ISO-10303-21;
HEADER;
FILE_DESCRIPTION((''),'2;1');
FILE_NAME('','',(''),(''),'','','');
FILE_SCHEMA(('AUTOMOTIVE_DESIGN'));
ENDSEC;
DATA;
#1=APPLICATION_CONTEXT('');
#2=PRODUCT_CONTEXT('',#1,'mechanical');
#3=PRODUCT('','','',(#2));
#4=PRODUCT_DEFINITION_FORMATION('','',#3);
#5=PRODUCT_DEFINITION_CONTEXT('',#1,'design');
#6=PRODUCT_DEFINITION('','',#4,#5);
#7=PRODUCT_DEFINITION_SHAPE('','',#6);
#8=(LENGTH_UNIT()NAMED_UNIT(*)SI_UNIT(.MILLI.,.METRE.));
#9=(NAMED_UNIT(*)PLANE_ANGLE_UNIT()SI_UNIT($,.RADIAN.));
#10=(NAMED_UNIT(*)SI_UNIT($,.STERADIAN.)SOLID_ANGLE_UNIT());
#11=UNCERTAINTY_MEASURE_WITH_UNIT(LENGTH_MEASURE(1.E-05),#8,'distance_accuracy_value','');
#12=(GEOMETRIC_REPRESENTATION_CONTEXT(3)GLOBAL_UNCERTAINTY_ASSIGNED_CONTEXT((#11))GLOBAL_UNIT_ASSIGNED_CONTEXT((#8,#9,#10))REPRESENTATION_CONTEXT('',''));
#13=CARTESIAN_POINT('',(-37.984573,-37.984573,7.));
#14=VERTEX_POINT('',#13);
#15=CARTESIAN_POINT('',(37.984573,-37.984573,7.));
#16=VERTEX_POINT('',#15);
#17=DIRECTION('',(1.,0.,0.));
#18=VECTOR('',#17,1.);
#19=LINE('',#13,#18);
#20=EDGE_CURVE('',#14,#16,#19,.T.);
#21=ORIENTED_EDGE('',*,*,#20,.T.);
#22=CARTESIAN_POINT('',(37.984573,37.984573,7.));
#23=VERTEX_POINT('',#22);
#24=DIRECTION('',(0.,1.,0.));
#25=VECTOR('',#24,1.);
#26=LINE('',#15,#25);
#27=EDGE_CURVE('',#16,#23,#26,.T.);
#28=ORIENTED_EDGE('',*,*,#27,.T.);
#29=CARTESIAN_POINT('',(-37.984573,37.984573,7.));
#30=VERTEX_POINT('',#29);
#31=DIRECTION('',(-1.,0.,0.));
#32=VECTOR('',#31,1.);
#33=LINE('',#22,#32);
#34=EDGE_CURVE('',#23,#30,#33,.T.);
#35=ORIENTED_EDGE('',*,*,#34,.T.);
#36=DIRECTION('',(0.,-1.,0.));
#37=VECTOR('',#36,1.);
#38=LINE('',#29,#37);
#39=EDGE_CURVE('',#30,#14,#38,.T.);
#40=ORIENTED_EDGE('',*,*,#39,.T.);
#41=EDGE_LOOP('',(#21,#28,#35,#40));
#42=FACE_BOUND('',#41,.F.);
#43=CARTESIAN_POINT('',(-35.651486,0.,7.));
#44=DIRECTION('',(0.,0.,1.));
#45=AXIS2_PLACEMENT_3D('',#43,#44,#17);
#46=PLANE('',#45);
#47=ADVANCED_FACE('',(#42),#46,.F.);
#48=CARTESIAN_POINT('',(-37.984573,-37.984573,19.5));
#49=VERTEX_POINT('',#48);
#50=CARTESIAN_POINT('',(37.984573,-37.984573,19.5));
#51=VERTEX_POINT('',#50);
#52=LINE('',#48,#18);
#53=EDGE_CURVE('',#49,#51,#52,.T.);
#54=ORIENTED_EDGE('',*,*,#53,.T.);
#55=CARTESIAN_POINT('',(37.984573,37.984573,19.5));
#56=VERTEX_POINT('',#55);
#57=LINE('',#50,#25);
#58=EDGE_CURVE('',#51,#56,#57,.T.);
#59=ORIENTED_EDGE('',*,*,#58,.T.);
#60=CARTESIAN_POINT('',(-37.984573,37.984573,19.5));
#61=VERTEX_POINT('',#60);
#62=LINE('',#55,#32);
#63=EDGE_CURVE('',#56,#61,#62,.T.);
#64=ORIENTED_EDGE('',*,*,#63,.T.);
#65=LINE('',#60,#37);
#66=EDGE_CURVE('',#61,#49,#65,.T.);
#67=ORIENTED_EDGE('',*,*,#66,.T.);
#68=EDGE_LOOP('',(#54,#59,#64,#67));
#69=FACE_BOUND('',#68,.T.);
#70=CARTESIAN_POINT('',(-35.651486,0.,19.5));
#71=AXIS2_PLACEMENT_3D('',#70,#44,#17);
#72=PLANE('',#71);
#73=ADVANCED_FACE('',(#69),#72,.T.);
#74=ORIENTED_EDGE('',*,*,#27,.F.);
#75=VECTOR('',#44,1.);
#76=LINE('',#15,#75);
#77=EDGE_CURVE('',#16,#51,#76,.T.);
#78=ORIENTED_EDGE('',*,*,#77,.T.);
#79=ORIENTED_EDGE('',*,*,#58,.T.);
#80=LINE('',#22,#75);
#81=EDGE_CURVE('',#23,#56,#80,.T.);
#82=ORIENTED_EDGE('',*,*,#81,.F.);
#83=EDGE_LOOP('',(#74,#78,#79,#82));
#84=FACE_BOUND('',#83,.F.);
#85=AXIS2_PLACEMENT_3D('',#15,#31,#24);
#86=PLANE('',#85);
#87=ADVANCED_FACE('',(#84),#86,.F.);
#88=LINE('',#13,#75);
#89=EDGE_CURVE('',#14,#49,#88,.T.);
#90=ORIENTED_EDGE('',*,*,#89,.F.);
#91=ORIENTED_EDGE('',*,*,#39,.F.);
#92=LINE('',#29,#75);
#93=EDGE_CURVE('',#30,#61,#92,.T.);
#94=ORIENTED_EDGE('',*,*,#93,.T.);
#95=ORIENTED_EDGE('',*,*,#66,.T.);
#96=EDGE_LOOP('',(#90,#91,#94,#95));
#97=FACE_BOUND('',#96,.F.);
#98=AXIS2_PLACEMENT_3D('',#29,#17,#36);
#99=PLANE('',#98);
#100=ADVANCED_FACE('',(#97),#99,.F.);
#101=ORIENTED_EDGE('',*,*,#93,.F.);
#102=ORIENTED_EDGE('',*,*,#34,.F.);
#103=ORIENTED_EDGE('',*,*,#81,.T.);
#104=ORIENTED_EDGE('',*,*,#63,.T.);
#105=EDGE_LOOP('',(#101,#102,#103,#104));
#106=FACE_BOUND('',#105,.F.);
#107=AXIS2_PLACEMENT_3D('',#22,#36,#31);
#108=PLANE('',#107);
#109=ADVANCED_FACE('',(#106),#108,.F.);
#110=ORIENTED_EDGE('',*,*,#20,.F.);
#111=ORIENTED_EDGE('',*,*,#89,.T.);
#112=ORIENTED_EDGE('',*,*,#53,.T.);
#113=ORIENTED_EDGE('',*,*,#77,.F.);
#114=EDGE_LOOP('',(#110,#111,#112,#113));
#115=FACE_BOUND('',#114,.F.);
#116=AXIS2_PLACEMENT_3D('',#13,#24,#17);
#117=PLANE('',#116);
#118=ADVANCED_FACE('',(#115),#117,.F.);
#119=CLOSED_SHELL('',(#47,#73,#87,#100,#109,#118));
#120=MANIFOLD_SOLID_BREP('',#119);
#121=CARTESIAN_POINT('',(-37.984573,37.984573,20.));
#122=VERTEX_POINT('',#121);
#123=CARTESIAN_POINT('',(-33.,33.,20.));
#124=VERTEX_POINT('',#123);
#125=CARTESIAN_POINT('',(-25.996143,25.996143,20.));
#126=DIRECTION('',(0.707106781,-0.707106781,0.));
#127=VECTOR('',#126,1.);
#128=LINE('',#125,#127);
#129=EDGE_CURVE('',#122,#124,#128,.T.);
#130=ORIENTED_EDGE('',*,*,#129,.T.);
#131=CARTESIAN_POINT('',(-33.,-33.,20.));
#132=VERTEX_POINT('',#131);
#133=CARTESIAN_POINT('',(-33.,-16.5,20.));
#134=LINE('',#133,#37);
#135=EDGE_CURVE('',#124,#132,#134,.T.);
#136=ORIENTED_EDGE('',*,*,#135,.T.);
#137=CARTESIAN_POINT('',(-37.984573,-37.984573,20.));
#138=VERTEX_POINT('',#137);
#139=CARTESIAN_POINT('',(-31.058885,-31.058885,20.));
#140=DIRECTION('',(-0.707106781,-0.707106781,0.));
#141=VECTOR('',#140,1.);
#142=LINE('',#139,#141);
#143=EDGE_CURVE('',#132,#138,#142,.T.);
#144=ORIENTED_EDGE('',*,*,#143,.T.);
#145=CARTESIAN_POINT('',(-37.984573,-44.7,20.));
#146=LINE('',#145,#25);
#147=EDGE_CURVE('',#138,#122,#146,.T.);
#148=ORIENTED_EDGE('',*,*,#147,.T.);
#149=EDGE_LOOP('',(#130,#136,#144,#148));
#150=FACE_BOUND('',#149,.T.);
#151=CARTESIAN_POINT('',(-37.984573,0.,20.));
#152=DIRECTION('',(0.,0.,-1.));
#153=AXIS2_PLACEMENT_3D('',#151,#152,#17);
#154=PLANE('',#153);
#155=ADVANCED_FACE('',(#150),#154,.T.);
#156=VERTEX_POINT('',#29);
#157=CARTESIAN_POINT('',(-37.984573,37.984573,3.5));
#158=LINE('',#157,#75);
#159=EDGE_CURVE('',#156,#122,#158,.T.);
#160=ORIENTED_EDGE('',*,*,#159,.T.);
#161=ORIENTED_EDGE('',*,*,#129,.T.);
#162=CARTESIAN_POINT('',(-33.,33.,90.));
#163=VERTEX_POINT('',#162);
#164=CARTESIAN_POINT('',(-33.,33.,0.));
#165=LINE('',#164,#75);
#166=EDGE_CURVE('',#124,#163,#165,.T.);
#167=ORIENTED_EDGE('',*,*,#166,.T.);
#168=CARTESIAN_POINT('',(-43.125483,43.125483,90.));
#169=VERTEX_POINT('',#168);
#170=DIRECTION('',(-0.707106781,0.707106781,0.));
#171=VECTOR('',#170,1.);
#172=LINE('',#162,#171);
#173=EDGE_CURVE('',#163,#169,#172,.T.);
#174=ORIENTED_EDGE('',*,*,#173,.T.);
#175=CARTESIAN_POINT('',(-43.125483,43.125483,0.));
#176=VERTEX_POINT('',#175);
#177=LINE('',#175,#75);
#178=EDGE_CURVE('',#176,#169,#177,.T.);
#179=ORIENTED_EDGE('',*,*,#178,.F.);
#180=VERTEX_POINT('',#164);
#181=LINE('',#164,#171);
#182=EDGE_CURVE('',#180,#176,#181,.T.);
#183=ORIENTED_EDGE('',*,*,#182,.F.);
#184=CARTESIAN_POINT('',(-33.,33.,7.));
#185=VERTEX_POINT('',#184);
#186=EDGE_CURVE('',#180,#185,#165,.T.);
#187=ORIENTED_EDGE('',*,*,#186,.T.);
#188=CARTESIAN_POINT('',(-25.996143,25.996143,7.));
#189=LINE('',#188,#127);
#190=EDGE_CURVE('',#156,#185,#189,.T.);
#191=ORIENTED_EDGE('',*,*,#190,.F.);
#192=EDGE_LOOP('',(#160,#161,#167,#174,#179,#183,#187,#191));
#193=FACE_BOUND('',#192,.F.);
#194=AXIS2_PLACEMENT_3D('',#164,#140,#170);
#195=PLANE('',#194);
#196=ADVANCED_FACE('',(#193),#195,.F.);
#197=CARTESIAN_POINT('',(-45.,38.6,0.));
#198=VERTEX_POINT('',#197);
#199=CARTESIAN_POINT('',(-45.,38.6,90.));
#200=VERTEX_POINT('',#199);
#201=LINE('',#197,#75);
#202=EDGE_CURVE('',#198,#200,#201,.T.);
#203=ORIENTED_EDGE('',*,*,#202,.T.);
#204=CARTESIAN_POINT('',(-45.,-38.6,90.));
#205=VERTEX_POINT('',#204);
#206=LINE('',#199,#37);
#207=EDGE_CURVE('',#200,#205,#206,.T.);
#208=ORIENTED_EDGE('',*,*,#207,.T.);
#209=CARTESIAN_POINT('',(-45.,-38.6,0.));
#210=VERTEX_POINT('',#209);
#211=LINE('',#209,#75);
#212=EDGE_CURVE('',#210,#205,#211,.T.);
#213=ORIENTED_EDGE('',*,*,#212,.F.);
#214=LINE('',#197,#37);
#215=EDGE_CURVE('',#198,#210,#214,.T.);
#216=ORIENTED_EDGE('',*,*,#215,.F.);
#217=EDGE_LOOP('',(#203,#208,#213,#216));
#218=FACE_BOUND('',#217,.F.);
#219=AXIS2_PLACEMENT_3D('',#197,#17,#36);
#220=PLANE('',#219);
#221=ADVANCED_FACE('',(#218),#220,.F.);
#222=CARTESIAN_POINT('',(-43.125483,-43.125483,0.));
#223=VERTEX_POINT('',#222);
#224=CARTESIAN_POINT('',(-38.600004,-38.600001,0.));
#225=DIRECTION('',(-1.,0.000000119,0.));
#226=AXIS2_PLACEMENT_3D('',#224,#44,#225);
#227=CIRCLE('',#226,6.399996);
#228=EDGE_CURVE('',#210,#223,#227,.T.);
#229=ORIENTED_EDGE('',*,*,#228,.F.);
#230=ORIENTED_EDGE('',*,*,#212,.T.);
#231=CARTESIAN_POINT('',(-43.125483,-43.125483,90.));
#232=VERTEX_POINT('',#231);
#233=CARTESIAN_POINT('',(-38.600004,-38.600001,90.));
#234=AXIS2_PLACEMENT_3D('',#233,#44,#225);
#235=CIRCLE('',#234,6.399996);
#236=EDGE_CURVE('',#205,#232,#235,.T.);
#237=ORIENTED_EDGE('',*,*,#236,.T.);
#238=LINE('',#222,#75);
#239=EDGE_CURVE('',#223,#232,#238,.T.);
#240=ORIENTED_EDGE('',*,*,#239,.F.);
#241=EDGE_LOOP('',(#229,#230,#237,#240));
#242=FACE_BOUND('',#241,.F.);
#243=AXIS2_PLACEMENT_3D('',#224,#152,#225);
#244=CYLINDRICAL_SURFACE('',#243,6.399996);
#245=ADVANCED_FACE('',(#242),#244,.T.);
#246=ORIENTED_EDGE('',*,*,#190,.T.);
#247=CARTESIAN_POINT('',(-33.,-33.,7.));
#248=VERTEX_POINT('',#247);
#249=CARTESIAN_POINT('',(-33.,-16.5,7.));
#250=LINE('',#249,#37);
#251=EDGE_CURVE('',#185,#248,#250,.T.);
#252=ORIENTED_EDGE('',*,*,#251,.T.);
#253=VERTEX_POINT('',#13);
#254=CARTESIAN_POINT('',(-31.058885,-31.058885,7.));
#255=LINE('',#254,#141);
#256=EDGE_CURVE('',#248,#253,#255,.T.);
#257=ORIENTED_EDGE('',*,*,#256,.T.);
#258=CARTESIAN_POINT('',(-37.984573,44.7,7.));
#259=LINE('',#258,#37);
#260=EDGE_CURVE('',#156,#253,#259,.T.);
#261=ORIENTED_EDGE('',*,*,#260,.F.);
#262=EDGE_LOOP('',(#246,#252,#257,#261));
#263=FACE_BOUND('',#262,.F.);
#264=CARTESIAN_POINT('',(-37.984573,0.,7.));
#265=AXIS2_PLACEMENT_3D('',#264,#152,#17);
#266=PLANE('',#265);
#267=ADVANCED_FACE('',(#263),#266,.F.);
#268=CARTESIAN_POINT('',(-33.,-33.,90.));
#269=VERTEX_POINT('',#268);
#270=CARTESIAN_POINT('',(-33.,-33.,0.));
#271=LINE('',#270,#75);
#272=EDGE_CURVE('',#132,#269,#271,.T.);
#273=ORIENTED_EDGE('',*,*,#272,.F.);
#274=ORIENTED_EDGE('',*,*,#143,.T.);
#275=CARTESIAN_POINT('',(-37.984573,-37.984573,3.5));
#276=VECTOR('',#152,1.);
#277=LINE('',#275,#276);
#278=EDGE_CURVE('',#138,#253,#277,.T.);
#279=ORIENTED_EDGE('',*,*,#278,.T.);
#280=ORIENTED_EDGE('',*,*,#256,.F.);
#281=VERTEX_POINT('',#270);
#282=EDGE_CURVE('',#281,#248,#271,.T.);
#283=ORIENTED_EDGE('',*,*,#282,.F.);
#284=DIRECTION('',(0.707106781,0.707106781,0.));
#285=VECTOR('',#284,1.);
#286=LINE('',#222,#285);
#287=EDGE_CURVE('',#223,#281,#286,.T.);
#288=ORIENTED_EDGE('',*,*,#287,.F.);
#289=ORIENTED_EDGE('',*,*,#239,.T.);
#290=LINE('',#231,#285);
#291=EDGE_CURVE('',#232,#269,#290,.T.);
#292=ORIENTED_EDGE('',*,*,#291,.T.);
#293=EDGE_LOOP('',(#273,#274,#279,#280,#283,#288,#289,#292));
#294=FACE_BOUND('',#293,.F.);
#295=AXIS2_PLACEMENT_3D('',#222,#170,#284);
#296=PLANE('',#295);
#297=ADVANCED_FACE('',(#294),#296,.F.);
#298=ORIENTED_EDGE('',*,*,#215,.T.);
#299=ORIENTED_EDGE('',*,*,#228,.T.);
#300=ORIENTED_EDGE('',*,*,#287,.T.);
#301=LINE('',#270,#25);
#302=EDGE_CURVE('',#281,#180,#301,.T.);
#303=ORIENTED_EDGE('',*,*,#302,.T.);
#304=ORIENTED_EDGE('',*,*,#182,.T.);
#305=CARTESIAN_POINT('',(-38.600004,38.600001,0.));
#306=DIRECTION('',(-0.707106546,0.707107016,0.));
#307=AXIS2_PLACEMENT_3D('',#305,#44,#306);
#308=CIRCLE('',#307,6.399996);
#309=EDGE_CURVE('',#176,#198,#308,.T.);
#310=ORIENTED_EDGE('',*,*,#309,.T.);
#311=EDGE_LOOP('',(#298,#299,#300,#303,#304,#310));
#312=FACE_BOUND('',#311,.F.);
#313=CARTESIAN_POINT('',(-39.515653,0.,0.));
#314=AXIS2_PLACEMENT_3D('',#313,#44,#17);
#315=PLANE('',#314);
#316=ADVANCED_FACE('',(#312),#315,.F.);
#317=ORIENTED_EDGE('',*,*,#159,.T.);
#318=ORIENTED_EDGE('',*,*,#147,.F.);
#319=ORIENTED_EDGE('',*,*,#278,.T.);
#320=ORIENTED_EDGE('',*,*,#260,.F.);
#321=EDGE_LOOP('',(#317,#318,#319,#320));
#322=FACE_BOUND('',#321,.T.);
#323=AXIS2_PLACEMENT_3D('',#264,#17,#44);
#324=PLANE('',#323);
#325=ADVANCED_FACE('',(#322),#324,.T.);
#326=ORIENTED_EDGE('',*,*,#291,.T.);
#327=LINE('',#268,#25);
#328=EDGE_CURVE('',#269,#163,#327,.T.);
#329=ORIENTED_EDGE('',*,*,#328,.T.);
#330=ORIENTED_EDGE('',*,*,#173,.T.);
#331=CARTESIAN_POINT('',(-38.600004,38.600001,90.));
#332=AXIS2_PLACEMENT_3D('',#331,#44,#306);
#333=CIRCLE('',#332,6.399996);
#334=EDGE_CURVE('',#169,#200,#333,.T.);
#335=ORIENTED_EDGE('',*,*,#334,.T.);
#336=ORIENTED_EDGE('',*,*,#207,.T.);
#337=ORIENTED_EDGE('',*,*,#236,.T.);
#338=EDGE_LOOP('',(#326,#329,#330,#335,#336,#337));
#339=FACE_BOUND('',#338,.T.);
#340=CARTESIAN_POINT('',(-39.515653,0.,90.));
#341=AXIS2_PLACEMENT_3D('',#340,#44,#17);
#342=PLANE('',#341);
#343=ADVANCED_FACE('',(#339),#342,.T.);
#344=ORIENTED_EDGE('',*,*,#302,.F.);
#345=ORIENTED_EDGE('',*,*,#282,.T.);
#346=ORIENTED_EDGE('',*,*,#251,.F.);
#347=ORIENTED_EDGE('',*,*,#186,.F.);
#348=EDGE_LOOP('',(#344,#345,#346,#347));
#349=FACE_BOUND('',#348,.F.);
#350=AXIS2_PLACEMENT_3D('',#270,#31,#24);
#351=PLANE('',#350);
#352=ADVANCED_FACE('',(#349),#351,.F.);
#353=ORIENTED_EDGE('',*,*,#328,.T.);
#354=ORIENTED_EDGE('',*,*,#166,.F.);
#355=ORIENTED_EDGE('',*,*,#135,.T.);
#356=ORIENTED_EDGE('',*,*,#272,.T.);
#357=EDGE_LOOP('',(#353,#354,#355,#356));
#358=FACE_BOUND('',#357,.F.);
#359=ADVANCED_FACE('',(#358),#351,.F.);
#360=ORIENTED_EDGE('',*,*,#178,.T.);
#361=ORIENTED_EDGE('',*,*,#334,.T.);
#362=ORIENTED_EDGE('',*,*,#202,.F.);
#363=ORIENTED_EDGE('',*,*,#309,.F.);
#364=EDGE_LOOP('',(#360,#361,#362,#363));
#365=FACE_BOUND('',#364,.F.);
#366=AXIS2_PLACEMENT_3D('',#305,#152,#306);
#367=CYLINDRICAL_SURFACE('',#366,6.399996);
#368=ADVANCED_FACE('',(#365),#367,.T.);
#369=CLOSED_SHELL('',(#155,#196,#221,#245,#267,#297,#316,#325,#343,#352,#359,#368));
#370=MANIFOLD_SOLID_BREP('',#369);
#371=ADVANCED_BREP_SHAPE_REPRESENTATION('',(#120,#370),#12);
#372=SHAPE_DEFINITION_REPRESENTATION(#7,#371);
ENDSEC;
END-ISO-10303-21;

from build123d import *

# Parameters (mm, degrees)
F1_DEPTH = 90
F2_W     = 5
F2_H     = 13
F3_DEPTH = 44.7
F5_DEPTH = 12.5


with BuildPart() as f1:
    # F0 (on Top) → F1 (new body)
    with BuildSketch(Plane.XY):
        with BuildLine():
            ThreePointArc((-45, -38.6), (-44.512829, -41.049174), (-43.125483, -43.125483))
            Line((-43.125483, -43.125483), (-33, -33))
            Line((-33, -33), (-33, 33))
            Line((-33, 33), (-43.125483, 43.125483))
            ThreePointArc((-43.125483, 43.125483), (-44.512829, 41.049174), (-45, 38.6))
            Line((-45, 38.6), (-45, -38.6))
        make_face()
    extrude(amount=F1_DEPTH)

    # F2 (on Front) → F3 (cut, symmetric)
    with BuildSketch(Plane.XZ):
        with Locations((-35.484573, 13.5)):
            Rectangle(F2_W, F2_H)
    extrude(amount=F3_DEPTH, both=True, mode=Mode.SUBTRACT)


with BuildPart() as f5:
    # F4 (on face) → F5 (new body)
    with BuildSketch(Plane.XY.offset(7)):
        Polygon((-37.984573, 37.984573), (-37.984573, -37.984573), (-33, -33), (-33, 33), align=None)
        Polygon((-33, -33), (-37.984573, -37.984573), (37.984573, -37.984573), (37.984573, 37.984573), (-37.984573, 37.984573), (-33, 33), align=None)
    extrude(amount=F5_DEPTH)


solid = Compound([f1.part, f5.part])
